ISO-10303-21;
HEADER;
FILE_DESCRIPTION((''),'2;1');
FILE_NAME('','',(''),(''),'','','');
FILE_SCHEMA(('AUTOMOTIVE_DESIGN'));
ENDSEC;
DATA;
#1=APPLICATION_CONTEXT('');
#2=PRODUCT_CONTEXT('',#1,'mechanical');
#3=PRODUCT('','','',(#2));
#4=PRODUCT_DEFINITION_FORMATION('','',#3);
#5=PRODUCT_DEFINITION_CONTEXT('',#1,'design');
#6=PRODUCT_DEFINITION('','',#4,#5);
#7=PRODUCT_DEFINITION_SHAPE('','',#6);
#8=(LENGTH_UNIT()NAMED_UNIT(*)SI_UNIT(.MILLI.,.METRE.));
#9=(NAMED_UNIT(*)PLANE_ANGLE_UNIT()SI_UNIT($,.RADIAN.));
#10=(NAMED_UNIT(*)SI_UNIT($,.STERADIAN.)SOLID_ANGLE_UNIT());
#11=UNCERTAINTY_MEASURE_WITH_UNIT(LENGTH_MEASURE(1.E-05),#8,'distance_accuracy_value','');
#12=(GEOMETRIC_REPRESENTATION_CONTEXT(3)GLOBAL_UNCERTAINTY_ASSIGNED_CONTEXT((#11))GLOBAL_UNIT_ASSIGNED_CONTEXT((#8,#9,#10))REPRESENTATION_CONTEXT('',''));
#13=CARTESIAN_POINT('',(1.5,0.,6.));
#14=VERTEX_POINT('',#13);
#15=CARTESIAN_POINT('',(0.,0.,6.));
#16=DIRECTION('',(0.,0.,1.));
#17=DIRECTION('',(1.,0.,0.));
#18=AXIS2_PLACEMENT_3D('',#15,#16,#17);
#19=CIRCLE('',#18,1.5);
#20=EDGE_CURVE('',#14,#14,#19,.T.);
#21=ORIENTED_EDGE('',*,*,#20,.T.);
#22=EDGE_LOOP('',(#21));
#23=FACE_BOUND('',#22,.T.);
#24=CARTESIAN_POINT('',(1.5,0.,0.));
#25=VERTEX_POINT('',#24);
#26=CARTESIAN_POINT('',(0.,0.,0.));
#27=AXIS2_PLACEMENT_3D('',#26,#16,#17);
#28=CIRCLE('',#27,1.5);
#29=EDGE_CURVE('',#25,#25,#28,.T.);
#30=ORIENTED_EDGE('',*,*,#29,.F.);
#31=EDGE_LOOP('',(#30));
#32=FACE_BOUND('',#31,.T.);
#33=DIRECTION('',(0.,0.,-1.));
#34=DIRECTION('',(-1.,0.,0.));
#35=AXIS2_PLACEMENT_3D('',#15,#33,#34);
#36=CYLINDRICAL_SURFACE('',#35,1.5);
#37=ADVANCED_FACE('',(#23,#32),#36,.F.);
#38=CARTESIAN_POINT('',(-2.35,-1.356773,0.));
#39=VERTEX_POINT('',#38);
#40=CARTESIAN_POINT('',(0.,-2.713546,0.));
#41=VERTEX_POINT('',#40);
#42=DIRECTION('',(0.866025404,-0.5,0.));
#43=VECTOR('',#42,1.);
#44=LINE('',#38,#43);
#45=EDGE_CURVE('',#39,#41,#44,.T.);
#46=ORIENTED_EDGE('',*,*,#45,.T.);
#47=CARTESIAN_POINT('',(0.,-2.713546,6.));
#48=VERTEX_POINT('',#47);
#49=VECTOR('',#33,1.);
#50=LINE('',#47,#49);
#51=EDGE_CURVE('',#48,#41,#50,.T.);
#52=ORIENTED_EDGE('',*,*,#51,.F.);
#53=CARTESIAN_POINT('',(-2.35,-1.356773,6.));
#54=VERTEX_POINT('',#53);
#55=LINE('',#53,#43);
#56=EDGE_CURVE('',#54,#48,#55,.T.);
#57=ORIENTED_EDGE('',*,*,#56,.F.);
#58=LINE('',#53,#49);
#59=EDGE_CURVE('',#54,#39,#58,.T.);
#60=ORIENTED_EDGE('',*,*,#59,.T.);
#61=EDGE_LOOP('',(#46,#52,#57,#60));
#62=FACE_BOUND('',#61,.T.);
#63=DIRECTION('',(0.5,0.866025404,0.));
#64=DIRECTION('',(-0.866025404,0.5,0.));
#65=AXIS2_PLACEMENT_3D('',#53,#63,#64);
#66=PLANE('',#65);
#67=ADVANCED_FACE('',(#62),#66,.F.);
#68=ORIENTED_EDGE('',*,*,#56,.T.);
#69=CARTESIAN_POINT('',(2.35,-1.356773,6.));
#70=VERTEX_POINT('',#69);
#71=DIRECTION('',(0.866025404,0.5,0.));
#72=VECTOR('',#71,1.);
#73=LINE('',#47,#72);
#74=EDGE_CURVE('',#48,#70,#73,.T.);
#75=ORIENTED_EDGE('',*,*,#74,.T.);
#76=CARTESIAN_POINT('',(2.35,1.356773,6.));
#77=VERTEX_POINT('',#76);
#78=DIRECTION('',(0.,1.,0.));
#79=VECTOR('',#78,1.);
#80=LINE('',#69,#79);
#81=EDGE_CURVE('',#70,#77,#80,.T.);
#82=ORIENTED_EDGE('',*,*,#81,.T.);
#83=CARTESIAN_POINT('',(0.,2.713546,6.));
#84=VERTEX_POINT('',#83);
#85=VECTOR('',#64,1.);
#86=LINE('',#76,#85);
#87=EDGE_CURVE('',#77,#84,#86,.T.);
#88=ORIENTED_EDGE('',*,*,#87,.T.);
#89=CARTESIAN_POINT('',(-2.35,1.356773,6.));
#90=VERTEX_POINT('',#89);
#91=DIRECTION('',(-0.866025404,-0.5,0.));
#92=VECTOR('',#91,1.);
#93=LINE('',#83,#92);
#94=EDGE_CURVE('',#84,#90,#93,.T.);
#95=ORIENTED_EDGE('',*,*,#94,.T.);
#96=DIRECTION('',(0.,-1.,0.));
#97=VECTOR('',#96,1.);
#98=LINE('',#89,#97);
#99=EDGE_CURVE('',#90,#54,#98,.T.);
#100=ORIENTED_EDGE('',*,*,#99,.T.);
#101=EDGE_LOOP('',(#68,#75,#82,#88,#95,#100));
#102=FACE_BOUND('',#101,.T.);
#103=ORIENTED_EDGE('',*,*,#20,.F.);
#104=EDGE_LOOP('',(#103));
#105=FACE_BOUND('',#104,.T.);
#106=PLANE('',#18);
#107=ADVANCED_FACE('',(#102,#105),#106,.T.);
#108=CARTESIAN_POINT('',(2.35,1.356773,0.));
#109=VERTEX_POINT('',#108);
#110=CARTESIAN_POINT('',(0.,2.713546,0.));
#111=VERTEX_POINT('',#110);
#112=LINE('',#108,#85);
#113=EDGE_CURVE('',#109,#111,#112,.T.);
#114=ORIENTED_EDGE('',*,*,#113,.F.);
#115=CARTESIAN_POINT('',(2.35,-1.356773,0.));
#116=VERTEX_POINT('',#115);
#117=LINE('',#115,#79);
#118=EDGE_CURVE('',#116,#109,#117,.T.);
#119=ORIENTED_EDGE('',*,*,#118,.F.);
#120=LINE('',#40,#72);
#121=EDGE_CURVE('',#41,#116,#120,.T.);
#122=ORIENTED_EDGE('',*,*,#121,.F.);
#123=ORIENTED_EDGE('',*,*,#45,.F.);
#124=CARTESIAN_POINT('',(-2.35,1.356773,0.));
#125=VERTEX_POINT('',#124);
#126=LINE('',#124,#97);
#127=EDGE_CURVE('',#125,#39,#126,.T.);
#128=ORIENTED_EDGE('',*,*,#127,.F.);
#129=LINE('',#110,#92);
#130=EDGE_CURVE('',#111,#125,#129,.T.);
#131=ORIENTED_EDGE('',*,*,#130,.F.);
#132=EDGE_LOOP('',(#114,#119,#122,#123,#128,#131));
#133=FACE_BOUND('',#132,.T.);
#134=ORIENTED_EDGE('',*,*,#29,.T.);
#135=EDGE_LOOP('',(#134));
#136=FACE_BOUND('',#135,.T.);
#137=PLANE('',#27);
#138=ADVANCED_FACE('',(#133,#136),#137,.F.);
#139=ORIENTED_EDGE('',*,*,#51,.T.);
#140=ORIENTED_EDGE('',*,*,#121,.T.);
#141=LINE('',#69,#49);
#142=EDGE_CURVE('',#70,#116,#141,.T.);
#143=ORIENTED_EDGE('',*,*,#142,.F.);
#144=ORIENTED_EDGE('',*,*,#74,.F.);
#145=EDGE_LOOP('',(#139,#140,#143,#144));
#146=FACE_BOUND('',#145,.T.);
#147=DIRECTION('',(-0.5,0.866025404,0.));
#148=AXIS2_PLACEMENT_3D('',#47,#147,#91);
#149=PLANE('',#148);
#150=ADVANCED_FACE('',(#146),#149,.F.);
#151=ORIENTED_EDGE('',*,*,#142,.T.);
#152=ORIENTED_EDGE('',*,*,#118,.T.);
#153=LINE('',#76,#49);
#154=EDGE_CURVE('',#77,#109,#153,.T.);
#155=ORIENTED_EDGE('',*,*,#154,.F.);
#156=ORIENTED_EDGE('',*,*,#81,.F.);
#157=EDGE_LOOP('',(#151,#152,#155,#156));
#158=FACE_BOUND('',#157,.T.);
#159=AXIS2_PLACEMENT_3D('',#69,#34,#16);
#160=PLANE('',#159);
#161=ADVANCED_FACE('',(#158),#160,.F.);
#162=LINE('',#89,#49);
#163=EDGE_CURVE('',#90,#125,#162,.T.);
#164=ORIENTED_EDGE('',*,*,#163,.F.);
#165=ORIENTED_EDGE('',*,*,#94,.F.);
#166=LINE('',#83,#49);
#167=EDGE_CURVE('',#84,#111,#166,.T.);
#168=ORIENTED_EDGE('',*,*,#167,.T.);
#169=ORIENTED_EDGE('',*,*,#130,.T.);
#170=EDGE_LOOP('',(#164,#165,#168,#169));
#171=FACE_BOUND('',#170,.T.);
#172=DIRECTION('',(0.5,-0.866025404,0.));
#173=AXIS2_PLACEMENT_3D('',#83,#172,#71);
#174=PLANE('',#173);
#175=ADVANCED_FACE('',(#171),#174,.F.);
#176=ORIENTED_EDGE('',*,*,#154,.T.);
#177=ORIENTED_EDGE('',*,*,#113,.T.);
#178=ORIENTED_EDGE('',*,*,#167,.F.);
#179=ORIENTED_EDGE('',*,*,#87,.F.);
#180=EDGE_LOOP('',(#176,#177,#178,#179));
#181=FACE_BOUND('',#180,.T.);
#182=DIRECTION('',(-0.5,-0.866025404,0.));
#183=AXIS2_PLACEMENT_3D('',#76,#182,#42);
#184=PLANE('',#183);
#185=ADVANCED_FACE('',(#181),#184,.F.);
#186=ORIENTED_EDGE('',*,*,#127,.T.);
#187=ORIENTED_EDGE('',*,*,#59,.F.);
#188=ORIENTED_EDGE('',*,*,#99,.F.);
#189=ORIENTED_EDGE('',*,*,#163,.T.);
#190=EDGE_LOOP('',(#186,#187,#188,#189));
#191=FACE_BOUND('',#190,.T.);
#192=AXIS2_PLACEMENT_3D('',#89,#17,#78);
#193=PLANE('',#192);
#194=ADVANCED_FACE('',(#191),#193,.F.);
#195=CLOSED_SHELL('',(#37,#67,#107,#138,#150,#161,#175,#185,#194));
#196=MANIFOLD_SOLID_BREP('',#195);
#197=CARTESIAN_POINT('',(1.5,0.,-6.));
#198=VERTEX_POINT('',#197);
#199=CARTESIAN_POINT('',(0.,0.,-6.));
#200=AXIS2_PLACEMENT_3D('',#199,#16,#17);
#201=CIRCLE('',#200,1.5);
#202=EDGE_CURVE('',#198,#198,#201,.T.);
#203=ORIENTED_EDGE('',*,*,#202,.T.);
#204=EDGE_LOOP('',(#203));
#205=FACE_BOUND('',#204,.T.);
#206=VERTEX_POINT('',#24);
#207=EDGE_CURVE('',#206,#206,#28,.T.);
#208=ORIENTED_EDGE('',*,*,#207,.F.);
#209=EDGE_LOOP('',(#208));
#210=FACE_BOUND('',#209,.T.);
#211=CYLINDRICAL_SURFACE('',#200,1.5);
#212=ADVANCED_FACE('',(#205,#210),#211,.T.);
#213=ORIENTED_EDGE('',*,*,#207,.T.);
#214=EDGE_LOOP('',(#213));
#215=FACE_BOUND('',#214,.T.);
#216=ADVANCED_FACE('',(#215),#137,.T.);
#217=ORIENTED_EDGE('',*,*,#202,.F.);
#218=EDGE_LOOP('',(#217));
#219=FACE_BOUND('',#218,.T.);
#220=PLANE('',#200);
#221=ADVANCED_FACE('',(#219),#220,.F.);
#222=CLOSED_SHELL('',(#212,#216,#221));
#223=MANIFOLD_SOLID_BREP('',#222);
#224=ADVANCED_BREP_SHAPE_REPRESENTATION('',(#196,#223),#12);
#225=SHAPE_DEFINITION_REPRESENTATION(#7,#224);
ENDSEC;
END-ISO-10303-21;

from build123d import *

# Parameters (mm, degrees)
SKETCH1_R           = 1.5
BOSS_EXTRUDE1_DEPTH = 6
SKETCH1_2_R         = 1.5
BOSS_EXTRUDE2_DEPTH = 6


with BuildPart() as part:
    # Sketch1 → Boss-Extrude1 (new body)
    with BuildSketch(Plane(origin=(0, 0, 0), x_dir=(0, 1, 0), z_dir=(0, 0, 1))):
        Polygon((2.713546265, 0), (1.356773133, 2.35), (-1.356773133, 2.35), (-2.713546265, 0), (-1.356773133, -2.35), (1.356773133, -2.35), align=None)
        Circle(SKETCH1_R, mode=Mode.SUBTRACT)
    extrude(amount=BOSS_EXTRUDE1_DEPTH)


with BuildPart() as body_2:
    # Sketch1<2> → Boss-Extrude2 (new body)
    with BuildSketch(Plane(origin=(0, 0, 0), x_dir=(0, 1, 0), z_dir=(0, 0, 1))):
        Circle(SKETCH1_2_R)
    extrude(amount=-BOSS_EXTRUDE2_DEPTH)


solid = Compound([part.part, body_2.part])
